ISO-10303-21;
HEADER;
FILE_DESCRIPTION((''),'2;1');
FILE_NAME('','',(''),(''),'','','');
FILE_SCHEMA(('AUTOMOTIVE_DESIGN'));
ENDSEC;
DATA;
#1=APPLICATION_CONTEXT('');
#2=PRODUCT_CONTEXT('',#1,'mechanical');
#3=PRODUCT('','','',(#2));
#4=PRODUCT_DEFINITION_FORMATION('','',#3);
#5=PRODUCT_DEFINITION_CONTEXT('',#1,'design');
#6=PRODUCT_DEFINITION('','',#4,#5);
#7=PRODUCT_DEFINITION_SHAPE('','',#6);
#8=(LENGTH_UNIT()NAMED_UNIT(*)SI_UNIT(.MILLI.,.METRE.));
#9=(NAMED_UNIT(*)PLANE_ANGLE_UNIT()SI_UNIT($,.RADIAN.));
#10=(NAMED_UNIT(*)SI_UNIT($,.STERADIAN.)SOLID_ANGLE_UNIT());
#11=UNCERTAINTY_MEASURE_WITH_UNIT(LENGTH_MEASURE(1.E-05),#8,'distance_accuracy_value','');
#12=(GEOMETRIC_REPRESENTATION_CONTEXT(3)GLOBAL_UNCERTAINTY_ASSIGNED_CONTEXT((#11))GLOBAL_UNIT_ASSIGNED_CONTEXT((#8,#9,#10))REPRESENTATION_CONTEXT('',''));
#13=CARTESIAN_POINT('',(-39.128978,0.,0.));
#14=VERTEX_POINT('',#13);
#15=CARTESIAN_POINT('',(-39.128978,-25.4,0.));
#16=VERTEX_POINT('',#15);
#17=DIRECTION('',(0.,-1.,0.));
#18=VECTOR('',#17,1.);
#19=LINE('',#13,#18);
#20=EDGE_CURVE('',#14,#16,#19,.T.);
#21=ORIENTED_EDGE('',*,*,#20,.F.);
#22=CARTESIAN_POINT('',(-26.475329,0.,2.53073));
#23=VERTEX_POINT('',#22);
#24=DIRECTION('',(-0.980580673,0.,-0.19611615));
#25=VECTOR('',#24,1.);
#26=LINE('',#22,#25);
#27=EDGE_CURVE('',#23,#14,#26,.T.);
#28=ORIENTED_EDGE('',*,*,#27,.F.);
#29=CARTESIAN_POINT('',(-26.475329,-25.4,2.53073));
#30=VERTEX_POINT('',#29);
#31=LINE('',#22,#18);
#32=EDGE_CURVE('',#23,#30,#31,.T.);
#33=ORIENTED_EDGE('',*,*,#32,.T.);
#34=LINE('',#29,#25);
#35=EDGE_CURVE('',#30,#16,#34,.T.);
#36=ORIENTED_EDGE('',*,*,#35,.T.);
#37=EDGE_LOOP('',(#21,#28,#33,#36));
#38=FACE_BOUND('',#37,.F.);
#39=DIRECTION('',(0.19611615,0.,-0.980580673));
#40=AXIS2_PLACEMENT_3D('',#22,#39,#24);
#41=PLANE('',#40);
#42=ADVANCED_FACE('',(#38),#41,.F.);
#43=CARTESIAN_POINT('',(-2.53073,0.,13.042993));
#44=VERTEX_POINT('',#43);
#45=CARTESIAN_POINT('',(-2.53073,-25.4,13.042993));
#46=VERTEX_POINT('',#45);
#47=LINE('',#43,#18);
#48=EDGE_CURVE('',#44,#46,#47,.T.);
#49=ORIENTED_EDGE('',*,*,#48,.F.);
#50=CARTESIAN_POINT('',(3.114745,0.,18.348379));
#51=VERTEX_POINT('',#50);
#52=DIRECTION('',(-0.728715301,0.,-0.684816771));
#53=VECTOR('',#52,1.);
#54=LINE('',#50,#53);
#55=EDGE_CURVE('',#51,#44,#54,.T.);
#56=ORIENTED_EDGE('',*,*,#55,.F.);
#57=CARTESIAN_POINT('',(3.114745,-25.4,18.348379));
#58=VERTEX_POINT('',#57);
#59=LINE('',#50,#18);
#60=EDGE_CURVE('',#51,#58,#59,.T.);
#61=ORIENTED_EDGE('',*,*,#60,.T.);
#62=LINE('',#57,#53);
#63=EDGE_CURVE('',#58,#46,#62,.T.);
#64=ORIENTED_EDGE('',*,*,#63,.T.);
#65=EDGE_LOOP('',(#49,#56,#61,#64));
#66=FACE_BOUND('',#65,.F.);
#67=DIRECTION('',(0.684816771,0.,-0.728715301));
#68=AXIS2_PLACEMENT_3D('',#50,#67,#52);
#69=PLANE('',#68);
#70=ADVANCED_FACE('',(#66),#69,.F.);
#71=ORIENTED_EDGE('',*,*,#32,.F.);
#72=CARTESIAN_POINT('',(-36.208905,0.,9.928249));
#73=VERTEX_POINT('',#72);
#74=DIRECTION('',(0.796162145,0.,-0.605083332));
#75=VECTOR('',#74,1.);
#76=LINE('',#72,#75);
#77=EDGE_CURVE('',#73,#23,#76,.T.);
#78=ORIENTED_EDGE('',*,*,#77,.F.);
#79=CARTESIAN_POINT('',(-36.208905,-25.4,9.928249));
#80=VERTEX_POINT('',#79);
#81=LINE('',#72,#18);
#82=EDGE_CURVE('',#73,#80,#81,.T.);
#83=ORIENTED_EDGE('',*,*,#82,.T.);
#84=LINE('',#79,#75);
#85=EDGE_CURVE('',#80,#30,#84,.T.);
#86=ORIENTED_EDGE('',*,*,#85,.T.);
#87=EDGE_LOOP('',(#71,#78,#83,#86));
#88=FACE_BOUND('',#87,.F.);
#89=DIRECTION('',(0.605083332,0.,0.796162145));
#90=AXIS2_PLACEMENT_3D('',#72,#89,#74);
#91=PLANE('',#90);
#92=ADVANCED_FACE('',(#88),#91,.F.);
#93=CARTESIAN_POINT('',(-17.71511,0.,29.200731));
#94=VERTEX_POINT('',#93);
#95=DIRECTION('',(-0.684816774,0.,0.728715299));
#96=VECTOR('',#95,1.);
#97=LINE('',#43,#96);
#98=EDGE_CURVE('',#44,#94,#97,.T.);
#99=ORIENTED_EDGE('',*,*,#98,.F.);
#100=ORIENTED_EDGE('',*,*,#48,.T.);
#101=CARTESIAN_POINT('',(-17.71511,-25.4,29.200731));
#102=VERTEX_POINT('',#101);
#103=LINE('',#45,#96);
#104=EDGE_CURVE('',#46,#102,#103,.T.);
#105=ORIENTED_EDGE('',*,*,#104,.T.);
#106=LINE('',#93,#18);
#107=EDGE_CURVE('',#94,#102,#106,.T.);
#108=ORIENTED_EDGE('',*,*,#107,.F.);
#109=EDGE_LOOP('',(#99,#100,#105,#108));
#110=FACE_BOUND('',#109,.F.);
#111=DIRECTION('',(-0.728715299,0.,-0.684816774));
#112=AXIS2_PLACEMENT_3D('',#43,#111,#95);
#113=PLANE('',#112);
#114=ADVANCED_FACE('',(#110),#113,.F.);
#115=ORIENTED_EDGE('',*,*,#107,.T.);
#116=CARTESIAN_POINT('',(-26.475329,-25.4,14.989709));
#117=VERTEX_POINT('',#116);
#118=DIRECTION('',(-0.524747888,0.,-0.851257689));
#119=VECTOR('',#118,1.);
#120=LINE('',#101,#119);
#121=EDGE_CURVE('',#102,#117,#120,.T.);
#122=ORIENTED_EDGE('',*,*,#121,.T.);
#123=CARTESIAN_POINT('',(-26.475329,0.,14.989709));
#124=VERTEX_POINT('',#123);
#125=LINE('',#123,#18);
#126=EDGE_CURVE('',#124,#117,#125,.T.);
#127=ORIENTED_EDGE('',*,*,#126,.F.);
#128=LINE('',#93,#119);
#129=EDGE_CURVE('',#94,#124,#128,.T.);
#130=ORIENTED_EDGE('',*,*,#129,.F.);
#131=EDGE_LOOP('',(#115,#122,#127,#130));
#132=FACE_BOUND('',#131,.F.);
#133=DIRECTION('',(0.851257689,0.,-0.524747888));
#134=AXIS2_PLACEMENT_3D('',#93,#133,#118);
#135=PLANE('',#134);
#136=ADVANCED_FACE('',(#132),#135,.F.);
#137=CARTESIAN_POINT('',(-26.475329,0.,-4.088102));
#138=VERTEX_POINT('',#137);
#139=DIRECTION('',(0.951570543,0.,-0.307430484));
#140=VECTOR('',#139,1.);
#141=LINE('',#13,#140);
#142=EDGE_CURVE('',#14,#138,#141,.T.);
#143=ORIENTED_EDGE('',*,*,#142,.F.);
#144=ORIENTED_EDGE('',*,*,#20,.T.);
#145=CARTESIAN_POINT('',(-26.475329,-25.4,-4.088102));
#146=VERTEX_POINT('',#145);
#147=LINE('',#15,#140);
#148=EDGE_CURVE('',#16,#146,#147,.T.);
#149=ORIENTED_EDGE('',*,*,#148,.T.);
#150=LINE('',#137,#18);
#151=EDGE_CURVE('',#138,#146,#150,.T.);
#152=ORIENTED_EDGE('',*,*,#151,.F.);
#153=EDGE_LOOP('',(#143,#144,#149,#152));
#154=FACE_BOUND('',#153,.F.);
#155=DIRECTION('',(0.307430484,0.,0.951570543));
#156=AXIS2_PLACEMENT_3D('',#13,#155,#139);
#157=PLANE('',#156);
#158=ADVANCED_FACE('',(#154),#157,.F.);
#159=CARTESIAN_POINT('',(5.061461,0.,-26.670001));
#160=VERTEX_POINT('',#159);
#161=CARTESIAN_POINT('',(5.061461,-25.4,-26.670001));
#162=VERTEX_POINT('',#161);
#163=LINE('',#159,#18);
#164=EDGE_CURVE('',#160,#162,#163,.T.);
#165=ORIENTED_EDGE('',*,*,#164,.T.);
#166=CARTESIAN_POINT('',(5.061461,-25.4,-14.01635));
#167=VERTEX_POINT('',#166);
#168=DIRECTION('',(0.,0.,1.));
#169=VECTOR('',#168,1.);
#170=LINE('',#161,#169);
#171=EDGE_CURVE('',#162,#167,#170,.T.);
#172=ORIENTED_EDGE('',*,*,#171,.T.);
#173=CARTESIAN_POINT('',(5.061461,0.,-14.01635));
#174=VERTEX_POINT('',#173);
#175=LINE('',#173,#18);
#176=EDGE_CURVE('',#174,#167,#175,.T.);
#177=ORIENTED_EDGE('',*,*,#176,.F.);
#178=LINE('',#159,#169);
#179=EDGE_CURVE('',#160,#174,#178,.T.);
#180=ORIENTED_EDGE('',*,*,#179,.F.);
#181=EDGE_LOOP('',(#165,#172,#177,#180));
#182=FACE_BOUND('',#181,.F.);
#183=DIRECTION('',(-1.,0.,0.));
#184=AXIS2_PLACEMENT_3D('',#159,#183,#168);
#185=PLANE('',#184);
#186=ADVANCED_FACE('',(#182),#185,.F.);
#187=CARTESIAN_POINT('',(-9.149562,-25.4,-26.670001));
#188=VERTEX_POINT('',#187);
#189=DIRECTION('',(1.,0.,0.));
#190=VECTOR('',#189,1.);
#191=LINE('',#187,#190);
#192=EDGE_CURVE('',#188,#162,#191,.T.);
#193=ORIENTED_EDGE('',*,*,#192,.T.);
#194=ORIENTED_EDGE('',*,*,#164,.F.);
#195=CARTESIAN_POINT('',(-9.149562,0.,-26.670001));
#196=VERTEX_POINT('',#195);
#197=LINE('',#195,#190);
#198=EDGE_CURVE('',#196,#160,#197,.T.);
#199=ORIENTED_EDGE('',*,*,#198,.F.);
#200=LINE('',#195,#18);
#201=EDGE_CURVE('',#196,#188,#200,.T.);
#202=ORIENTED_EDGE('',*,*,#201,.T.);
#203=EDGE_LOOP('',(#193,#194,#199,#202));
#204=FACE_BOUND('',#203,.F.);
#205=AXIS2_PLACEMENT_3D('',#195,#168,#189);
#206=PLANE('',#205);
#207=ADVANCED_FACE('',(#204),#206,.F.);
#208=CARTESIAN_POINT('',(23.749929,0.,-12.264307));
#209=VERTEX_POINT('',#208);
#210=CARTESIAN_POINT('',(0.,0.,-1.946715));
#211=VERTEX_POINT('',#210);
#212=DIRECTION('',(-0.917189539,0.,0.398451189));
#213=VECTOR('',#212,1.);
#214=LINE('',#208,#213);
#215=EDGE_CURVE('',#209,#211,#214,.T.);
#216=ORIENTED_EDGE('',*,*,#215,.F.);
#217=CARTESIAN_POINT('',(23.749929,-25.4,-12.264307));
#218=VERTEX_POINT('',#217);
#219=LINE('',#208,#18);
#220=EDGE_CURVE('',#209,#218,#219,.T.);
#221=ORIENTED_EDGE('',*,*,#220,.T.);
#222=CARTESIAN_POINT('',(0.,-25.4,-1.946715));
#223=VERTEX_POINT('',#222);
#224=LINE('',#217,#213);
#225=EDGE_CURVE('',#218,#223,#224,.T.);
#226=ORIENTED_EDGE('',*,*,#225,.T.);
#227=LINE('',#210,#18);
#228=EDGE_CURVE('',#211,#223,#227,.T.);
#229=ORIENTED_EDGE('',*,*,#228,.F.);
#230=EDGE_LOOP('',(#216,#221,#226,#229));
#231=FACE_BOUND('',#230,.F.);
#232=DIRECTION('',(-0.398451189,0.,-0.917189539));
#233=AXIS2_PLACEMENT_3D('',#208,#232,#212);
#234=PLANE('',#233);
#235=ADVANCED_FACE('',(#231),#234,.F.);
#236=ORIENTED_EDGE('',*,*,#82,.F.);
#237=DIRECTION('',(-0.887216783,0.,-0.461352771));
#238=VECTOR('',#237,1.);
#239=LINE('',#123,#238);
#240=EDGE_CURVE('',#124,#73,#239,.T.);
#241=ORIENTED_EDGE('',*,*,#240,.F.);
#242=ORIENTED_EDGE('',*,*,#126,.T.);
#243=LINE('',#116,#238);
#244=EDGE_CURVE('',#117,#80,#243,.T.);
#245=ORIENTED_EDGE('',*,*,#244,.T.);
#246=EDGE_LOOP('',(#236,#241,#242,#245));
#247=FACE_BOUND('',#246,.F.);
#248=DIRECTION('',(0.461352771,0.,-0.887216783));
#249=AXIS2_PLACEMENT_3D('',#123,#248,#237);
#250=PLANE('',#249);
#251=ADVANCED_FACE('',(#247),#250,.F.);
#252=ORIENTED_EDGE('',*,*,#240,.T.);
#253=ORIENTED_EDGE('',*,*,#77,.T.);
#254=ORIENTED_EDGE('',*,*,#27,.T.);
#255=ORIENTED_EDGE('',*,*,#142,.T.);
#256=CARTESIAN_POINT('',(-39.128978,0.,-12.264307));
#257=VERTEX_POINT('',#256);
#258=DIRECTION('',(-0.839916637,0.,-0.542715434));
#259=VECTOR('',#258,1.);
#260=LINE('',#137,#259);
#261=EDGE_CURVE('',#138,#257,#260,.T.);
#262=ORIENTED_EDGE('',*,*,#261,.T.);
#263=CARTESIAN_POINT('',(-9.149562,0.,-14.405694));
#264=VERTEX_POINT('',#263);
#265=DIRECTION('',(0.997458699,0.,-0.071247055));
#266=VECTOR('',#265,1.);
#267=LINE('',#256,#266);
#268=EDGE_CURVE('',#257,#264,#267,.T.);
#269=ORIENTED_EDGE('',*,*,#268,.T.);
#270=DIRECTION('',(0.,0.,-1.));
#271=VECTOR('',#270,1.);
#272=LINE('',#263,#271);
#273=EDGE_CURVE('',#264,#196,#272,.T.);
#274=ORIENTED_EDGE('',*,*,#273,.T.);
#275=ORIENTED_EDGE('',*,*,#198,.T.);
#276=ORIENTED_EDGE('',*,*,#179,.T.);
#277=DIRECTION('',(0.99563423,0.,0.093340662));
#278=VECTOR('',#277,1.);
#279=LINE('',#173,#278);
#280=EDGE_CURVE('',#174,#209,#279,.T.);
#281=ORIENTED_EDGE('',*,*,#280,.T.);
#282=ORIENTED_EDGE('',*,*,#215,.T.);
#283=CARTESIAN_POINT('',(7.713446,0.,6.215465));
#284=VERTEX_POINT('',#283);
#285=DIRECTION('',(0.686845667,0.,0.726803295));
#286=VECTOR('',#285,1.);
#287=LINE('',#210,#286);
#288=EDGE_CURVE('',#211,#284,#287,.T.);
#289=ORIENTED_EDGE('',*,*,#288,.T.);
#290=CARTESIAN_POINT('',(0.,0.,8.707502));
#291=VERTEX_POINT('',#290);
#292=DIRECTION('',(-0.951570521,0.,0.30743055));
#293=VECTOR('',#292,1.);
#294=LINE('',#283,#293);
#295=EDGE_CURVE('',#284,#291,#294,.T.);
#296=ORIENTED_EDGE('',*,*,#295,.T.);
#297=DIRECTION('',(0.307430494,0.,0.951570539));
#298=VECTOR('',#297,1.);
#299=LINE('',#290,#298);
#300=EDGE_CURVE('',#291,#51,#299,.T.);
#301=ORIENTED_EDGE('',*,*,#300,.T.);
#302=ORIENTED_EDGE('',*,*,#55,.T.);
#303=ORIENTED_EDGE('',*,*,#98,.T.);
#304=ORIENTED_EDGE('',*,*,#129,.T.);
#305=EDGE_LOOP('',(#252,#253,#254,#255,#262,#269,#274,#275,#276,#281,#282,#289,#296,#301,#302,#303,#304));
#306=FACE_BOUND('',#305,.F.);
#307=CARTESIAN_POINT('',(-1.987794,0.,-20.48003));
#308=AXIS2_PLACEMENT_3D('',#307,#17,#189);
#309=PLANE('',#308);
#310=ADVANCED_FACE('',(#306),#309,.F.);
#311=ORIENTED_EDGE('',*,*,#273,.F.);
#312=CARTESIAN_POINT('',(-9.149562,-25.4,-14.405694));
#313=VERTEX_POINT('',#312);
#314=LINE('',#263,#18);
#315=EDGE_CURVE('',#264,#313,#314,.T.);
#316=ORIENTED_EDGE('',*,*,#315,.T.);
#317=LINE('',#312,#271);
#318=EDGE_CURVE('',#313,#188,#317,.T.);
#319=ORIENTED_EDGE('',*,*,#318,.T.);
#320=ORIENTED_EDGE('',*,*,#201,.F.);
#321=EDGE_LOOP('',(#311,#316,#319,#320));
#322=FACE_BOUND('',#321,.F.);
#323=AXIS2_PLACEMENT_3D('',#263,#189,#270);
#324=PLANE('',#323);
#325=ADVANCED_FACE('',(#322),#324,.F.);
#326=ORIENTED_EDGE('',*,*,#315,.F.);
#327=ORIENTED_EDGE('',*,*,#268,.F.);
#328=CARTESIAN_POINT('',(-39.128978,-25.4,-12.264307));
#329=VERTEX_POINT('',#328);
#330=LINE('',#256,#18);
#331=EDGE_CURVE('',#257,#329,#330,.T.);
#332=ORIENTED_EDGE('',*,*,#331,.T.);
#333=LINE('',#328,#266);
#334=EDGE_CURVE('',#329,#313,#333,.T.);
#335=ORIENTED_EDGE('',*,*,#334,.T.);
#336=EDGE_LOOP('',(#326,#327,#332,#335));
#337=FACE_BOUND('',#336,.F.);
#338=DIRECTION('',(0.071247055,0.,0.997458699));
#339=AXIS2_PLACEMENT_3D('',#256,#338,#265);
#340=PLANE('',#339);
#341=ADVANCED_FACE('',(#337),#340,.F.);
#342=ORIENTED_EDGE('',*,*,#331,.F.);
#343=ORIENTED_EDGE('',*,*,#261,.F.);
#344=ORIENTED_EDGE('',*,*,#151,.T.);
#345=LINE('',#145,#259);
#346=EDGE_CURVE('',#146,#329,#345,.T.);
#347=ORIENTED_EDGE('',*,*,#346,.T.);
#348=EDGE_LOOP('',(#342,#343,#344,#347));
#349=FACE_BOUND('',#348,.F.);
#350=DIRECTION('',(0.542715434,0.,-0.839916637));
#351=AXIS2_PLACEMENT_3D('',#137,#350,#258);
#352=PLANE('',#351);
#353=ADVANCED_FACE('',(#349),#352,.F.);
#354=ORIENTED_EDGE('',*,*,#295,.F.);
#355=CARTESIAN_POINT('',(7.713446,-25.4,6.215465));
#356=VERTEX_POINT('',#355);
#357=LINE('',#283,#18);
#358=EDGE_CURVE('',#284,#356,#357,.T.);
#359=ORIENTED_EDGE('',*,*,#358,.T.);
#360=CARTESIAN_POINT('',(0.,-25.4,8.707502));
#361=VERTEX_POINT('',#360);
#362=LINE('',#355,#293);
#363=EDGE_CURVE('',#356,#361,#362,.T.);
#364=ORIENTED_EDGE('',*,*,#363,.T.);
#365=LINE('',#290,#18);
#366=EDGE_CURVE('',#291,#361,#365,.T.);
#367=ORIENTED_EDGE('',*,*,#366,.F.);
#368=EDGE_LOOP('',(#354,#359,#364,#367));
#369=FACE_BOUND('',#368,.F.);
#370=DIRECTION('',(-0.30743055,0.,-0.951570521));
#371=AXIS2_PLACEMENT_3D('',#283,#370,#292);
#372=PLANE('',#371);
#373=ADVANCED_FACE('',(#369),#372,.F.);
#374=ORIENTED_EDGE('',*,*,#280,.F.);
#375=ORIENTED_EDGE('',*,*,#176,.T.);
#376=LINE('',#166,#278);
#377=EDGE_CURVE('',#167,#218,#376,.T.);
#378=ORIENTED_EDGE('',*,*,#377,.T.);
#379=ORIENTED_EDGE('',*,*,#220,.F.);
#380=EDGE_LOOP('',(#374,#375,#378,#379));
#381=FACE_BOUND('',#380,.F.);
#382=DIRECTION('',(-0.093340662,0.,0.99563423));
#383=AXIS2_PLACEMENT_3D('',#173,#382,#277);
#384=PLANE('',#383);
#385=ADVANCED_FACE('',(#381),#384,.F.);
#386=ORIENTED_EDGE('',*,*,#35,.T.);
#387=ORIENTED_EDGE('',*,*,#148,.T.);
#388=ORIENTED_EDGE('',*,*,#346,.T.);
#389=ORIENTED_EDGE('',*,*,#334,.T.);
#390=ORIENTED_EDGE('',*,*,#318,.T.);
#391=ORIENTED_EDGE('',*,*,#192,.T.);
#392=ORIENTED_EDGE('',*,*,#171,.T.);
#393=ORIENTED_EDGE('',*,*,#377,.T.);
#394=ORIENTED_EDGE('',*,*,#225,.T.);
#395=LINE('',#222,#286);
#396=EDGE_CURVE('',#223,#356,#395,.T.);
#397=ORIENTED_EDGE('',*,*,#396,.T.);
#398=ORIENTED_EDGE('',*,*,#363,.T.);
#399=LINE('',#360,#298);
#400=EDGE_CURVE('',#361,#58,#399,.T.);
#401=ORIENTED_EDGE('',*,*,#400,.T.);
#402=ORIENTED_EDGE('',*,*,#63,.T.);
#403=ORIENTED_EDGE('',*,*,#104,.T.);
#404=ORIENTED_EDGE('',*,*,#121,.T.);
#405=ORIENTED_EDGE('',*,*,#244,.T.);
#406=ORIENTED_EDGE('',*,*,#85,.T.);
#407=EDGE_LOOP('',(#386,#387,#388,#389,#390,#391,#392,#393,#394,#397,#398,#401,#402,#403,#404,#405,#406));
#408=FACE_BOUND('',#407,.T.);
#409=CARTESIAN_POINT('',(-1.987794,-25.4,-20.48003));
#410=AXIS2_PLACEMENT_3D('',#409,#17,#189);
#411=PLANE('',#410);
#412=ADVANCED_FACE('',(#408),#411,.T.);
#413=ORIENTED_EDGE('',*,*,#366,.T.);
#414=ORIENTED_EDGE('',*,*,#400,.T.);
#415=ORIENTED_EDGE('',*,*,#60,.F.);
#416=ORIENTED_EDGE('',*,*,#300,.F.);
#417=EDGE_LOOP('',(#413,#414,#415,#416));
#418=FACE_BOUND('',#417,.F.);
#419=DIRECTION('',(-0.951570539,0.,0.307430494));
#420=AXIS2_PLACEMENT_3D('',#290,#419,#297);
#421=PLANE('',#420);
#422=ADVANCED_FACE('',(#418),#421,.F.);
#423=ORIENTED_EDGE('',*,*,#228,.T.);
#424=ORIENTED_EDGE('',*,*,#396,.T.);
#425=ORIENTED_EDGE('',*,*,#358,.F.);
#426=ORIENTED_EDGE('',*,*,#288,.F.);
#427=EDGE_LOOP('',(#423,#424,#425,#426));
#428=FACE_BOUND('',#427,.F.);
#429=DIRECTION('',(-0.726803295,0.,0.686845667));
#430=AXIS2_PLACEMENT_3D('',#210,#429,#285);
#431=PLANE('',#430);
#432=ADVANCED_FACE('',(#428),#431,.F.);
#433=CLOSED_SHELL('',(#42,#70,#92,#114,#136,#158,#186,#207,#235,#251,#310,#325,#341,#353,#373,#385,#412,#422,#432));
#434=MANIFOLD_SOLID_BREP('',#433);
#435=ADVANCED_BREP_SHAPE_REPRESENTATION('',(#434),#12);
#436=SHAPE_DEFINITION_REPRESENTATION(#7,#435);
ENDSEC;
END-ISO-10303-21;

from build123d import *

# Parameters (mm, degrees)
F1_DEPTH = 25.4
F2_DEPTH = 25.4


with BuildPart() as f1:
    # F0 (on Front) → F1 (new body)
    with BuildSketch(Plane.XZ):
        Polygon((3.114745, -14.405694), (-9.149562, -14.405694), (-9.149562, -26.670001), (5.061461, -26.670001), (5.061461, -14.01635), align=None)
    extrude(amount=F1_DEPTH)

    # F0 (on Front) → F2 (join)
    with BuildSketch(Plane.XZ):
        Polygon((3.114745, -14.405694), (-9.149562, -14.405694), (-9.149562, -26.670001), (5.061461, -26.670001), (5.061461, -14.01635), align=None)
        Polygon((-39.128978, -12.264307), (-9.149562, -14.405694), (3.114745, -14.405694), (5.061461, -14.01635), (23.749929, -12.264307), (0, -1.946715), (7.713446, 6.215465), (0, 8.707502), (3.114745, 18.348379), (-2.53073, 13.042993), (-17.71511, 29.200731), (-26.475329, 14.989709), (-36.208905, 9.928249), (-26.475329, 2.53073), (-39.128978, 0), (-26.475329, -4.088102), align=None)
    extrude(amount=F2_DEPTH)


solid = f1.part
